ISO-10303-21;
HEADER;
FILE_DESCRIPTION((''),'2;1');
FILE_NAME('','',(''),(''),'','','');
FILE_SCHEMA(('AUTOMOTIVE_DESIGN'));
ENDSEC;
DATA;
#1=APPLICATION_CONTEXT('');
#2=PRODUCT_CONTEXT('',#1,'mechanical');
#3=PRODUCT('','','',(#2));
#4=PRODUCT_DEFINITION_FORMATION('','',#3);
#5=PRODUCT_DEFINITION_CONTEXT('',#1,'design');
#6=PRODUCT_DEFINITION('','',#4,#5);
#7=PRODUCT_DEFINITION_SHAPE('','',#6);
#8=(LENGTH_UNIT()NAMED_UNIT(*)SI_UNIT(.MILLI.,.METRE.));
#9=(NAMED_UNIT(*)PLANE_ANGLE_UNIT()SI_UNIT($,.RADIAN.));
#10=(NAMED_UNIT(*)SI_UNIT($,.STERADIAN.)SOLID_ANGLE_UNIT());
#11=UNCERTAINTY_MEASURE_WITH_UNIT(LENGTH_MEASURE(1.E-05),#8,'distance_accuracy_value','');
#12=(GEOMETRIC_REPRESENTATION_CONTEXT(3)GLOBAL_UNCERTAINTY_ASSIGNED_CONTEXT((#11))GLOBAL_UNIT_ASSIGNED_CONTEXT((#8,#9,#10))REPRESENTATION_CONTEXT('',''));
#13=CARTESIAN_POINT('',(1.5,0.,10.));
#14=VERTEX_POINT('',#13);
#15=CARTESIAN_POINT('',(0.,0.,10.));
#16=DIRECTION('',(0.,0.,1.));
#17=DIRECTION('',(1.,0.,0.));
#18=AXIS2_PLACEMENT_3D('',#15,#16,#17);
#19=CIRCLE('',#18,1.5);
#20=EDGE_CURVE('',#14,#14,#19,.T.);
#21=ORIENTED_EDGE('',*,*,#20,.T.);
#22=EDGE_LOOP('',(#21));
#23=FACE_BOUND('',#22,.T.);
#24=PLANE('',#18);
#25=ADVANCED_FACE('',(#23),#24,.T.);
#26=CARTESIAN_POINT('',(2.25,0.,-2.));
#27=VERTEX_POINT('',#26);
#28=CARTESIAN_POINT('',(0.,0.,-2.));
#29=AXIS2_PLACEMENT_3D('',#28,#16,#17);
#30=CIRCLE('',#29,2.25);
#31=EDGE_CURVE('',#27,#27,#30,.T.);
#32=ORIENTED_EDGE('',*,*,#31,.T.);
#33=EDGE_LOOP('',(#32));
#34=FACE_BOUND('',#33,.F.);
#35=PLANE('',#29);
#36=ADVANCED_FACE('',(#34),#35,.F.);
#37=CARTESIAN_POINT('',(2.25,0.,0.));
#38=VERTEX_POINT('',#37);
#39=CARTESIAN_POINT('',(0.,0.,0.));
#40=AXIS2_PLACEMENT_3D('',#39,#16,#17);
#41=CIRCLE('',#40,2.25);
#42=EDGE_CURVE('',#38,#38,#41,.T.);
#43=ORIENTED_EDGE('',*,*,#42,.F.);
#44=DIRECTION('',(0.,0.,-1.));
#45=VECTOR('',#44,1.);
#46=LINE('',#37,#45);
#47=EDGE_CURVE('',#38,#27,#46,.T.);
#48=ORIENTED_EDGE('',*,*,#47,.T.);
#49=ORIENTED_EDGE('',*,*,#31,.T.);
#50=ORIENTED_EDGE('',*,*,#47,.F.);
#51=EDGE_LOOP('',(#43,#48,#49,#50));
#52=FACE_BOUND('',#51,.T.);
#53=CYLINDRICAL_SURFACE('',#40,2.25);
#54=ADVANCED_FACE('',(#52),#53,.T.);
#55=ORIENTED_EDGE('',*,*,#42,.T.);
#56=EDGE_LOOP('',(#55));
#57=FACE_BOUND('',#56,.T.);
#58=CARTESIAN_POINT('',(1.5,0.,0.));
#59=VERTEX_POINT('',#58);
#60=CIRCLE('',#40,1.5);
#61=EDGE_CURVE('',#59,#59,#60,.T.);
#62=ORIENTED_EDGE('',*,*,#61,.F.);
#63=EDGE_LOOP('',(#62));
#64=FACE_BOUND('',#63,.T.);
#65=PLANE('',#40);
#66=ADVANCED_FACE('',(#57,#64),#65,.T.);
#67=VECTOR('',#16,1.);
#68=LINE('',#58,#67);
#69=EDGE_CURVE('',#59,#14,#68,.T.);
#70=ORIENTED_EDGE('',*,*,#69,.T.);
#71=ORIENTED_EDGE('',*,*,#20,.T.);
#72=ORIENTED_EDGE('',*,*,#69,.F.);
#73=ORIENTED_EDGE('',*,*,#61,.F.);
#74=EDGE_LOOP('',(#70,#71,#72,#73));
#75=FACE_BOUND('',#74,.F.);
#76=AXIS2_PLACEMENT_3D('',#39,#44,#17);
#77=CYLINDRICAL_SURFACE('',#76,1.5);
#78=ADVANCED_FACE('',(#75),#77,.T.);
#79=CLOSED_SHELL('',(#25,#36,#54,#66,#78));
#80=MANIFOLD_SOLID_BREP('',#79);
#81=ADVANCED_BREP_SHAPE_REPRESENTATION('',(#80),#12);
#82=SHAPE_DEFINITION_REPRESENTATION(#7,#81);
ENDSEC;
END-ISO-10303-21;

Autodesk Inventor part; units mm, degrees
ref_plane "YZ Plane" through (0, 0, 0) normal (1, 0, 0) x (0, 1, 0)
ref_plane "XZ Plane" through (0, 0, 0) normal (0, 1, 0) x (-1, 0, 0)
ref_plane "XY Plane" through (0, 0, 0) normal (0, 0, 1) x (1, 0, 0)
sketch "Sketch1" plane through (0, 0, 0) normal (0, 0, 1) x (1, 0, 0)
  circle A0 centre (0, 0) radius 1.5
  circle A1 centre (0, 0) radius 2.25
  dimension "d0" = 3
  dimension "d1" = 4.5
sketch "Sketch2" plane through (0, 0, 0) normal (0, 0, 1) x (1, 0, 0)
  circle A0 centre (0, 0) radius 1.5
  circle A1 centre (0, 0) radius 2.25
  dimension "d2" = 3
  dimension "d3" = 4.5
extrude "Extrusion1" add sketch "Sketch2" along normal blind 10 contours A0
extrude "Extrusion2" add sketch "Sketch1" against normal blind 2 contours A0 | A1
thread "Thread1" size "M3x0.5" class "6g" standard "ANSI Metric M Profile" full length
properties part number "tornillo M3 corto"
